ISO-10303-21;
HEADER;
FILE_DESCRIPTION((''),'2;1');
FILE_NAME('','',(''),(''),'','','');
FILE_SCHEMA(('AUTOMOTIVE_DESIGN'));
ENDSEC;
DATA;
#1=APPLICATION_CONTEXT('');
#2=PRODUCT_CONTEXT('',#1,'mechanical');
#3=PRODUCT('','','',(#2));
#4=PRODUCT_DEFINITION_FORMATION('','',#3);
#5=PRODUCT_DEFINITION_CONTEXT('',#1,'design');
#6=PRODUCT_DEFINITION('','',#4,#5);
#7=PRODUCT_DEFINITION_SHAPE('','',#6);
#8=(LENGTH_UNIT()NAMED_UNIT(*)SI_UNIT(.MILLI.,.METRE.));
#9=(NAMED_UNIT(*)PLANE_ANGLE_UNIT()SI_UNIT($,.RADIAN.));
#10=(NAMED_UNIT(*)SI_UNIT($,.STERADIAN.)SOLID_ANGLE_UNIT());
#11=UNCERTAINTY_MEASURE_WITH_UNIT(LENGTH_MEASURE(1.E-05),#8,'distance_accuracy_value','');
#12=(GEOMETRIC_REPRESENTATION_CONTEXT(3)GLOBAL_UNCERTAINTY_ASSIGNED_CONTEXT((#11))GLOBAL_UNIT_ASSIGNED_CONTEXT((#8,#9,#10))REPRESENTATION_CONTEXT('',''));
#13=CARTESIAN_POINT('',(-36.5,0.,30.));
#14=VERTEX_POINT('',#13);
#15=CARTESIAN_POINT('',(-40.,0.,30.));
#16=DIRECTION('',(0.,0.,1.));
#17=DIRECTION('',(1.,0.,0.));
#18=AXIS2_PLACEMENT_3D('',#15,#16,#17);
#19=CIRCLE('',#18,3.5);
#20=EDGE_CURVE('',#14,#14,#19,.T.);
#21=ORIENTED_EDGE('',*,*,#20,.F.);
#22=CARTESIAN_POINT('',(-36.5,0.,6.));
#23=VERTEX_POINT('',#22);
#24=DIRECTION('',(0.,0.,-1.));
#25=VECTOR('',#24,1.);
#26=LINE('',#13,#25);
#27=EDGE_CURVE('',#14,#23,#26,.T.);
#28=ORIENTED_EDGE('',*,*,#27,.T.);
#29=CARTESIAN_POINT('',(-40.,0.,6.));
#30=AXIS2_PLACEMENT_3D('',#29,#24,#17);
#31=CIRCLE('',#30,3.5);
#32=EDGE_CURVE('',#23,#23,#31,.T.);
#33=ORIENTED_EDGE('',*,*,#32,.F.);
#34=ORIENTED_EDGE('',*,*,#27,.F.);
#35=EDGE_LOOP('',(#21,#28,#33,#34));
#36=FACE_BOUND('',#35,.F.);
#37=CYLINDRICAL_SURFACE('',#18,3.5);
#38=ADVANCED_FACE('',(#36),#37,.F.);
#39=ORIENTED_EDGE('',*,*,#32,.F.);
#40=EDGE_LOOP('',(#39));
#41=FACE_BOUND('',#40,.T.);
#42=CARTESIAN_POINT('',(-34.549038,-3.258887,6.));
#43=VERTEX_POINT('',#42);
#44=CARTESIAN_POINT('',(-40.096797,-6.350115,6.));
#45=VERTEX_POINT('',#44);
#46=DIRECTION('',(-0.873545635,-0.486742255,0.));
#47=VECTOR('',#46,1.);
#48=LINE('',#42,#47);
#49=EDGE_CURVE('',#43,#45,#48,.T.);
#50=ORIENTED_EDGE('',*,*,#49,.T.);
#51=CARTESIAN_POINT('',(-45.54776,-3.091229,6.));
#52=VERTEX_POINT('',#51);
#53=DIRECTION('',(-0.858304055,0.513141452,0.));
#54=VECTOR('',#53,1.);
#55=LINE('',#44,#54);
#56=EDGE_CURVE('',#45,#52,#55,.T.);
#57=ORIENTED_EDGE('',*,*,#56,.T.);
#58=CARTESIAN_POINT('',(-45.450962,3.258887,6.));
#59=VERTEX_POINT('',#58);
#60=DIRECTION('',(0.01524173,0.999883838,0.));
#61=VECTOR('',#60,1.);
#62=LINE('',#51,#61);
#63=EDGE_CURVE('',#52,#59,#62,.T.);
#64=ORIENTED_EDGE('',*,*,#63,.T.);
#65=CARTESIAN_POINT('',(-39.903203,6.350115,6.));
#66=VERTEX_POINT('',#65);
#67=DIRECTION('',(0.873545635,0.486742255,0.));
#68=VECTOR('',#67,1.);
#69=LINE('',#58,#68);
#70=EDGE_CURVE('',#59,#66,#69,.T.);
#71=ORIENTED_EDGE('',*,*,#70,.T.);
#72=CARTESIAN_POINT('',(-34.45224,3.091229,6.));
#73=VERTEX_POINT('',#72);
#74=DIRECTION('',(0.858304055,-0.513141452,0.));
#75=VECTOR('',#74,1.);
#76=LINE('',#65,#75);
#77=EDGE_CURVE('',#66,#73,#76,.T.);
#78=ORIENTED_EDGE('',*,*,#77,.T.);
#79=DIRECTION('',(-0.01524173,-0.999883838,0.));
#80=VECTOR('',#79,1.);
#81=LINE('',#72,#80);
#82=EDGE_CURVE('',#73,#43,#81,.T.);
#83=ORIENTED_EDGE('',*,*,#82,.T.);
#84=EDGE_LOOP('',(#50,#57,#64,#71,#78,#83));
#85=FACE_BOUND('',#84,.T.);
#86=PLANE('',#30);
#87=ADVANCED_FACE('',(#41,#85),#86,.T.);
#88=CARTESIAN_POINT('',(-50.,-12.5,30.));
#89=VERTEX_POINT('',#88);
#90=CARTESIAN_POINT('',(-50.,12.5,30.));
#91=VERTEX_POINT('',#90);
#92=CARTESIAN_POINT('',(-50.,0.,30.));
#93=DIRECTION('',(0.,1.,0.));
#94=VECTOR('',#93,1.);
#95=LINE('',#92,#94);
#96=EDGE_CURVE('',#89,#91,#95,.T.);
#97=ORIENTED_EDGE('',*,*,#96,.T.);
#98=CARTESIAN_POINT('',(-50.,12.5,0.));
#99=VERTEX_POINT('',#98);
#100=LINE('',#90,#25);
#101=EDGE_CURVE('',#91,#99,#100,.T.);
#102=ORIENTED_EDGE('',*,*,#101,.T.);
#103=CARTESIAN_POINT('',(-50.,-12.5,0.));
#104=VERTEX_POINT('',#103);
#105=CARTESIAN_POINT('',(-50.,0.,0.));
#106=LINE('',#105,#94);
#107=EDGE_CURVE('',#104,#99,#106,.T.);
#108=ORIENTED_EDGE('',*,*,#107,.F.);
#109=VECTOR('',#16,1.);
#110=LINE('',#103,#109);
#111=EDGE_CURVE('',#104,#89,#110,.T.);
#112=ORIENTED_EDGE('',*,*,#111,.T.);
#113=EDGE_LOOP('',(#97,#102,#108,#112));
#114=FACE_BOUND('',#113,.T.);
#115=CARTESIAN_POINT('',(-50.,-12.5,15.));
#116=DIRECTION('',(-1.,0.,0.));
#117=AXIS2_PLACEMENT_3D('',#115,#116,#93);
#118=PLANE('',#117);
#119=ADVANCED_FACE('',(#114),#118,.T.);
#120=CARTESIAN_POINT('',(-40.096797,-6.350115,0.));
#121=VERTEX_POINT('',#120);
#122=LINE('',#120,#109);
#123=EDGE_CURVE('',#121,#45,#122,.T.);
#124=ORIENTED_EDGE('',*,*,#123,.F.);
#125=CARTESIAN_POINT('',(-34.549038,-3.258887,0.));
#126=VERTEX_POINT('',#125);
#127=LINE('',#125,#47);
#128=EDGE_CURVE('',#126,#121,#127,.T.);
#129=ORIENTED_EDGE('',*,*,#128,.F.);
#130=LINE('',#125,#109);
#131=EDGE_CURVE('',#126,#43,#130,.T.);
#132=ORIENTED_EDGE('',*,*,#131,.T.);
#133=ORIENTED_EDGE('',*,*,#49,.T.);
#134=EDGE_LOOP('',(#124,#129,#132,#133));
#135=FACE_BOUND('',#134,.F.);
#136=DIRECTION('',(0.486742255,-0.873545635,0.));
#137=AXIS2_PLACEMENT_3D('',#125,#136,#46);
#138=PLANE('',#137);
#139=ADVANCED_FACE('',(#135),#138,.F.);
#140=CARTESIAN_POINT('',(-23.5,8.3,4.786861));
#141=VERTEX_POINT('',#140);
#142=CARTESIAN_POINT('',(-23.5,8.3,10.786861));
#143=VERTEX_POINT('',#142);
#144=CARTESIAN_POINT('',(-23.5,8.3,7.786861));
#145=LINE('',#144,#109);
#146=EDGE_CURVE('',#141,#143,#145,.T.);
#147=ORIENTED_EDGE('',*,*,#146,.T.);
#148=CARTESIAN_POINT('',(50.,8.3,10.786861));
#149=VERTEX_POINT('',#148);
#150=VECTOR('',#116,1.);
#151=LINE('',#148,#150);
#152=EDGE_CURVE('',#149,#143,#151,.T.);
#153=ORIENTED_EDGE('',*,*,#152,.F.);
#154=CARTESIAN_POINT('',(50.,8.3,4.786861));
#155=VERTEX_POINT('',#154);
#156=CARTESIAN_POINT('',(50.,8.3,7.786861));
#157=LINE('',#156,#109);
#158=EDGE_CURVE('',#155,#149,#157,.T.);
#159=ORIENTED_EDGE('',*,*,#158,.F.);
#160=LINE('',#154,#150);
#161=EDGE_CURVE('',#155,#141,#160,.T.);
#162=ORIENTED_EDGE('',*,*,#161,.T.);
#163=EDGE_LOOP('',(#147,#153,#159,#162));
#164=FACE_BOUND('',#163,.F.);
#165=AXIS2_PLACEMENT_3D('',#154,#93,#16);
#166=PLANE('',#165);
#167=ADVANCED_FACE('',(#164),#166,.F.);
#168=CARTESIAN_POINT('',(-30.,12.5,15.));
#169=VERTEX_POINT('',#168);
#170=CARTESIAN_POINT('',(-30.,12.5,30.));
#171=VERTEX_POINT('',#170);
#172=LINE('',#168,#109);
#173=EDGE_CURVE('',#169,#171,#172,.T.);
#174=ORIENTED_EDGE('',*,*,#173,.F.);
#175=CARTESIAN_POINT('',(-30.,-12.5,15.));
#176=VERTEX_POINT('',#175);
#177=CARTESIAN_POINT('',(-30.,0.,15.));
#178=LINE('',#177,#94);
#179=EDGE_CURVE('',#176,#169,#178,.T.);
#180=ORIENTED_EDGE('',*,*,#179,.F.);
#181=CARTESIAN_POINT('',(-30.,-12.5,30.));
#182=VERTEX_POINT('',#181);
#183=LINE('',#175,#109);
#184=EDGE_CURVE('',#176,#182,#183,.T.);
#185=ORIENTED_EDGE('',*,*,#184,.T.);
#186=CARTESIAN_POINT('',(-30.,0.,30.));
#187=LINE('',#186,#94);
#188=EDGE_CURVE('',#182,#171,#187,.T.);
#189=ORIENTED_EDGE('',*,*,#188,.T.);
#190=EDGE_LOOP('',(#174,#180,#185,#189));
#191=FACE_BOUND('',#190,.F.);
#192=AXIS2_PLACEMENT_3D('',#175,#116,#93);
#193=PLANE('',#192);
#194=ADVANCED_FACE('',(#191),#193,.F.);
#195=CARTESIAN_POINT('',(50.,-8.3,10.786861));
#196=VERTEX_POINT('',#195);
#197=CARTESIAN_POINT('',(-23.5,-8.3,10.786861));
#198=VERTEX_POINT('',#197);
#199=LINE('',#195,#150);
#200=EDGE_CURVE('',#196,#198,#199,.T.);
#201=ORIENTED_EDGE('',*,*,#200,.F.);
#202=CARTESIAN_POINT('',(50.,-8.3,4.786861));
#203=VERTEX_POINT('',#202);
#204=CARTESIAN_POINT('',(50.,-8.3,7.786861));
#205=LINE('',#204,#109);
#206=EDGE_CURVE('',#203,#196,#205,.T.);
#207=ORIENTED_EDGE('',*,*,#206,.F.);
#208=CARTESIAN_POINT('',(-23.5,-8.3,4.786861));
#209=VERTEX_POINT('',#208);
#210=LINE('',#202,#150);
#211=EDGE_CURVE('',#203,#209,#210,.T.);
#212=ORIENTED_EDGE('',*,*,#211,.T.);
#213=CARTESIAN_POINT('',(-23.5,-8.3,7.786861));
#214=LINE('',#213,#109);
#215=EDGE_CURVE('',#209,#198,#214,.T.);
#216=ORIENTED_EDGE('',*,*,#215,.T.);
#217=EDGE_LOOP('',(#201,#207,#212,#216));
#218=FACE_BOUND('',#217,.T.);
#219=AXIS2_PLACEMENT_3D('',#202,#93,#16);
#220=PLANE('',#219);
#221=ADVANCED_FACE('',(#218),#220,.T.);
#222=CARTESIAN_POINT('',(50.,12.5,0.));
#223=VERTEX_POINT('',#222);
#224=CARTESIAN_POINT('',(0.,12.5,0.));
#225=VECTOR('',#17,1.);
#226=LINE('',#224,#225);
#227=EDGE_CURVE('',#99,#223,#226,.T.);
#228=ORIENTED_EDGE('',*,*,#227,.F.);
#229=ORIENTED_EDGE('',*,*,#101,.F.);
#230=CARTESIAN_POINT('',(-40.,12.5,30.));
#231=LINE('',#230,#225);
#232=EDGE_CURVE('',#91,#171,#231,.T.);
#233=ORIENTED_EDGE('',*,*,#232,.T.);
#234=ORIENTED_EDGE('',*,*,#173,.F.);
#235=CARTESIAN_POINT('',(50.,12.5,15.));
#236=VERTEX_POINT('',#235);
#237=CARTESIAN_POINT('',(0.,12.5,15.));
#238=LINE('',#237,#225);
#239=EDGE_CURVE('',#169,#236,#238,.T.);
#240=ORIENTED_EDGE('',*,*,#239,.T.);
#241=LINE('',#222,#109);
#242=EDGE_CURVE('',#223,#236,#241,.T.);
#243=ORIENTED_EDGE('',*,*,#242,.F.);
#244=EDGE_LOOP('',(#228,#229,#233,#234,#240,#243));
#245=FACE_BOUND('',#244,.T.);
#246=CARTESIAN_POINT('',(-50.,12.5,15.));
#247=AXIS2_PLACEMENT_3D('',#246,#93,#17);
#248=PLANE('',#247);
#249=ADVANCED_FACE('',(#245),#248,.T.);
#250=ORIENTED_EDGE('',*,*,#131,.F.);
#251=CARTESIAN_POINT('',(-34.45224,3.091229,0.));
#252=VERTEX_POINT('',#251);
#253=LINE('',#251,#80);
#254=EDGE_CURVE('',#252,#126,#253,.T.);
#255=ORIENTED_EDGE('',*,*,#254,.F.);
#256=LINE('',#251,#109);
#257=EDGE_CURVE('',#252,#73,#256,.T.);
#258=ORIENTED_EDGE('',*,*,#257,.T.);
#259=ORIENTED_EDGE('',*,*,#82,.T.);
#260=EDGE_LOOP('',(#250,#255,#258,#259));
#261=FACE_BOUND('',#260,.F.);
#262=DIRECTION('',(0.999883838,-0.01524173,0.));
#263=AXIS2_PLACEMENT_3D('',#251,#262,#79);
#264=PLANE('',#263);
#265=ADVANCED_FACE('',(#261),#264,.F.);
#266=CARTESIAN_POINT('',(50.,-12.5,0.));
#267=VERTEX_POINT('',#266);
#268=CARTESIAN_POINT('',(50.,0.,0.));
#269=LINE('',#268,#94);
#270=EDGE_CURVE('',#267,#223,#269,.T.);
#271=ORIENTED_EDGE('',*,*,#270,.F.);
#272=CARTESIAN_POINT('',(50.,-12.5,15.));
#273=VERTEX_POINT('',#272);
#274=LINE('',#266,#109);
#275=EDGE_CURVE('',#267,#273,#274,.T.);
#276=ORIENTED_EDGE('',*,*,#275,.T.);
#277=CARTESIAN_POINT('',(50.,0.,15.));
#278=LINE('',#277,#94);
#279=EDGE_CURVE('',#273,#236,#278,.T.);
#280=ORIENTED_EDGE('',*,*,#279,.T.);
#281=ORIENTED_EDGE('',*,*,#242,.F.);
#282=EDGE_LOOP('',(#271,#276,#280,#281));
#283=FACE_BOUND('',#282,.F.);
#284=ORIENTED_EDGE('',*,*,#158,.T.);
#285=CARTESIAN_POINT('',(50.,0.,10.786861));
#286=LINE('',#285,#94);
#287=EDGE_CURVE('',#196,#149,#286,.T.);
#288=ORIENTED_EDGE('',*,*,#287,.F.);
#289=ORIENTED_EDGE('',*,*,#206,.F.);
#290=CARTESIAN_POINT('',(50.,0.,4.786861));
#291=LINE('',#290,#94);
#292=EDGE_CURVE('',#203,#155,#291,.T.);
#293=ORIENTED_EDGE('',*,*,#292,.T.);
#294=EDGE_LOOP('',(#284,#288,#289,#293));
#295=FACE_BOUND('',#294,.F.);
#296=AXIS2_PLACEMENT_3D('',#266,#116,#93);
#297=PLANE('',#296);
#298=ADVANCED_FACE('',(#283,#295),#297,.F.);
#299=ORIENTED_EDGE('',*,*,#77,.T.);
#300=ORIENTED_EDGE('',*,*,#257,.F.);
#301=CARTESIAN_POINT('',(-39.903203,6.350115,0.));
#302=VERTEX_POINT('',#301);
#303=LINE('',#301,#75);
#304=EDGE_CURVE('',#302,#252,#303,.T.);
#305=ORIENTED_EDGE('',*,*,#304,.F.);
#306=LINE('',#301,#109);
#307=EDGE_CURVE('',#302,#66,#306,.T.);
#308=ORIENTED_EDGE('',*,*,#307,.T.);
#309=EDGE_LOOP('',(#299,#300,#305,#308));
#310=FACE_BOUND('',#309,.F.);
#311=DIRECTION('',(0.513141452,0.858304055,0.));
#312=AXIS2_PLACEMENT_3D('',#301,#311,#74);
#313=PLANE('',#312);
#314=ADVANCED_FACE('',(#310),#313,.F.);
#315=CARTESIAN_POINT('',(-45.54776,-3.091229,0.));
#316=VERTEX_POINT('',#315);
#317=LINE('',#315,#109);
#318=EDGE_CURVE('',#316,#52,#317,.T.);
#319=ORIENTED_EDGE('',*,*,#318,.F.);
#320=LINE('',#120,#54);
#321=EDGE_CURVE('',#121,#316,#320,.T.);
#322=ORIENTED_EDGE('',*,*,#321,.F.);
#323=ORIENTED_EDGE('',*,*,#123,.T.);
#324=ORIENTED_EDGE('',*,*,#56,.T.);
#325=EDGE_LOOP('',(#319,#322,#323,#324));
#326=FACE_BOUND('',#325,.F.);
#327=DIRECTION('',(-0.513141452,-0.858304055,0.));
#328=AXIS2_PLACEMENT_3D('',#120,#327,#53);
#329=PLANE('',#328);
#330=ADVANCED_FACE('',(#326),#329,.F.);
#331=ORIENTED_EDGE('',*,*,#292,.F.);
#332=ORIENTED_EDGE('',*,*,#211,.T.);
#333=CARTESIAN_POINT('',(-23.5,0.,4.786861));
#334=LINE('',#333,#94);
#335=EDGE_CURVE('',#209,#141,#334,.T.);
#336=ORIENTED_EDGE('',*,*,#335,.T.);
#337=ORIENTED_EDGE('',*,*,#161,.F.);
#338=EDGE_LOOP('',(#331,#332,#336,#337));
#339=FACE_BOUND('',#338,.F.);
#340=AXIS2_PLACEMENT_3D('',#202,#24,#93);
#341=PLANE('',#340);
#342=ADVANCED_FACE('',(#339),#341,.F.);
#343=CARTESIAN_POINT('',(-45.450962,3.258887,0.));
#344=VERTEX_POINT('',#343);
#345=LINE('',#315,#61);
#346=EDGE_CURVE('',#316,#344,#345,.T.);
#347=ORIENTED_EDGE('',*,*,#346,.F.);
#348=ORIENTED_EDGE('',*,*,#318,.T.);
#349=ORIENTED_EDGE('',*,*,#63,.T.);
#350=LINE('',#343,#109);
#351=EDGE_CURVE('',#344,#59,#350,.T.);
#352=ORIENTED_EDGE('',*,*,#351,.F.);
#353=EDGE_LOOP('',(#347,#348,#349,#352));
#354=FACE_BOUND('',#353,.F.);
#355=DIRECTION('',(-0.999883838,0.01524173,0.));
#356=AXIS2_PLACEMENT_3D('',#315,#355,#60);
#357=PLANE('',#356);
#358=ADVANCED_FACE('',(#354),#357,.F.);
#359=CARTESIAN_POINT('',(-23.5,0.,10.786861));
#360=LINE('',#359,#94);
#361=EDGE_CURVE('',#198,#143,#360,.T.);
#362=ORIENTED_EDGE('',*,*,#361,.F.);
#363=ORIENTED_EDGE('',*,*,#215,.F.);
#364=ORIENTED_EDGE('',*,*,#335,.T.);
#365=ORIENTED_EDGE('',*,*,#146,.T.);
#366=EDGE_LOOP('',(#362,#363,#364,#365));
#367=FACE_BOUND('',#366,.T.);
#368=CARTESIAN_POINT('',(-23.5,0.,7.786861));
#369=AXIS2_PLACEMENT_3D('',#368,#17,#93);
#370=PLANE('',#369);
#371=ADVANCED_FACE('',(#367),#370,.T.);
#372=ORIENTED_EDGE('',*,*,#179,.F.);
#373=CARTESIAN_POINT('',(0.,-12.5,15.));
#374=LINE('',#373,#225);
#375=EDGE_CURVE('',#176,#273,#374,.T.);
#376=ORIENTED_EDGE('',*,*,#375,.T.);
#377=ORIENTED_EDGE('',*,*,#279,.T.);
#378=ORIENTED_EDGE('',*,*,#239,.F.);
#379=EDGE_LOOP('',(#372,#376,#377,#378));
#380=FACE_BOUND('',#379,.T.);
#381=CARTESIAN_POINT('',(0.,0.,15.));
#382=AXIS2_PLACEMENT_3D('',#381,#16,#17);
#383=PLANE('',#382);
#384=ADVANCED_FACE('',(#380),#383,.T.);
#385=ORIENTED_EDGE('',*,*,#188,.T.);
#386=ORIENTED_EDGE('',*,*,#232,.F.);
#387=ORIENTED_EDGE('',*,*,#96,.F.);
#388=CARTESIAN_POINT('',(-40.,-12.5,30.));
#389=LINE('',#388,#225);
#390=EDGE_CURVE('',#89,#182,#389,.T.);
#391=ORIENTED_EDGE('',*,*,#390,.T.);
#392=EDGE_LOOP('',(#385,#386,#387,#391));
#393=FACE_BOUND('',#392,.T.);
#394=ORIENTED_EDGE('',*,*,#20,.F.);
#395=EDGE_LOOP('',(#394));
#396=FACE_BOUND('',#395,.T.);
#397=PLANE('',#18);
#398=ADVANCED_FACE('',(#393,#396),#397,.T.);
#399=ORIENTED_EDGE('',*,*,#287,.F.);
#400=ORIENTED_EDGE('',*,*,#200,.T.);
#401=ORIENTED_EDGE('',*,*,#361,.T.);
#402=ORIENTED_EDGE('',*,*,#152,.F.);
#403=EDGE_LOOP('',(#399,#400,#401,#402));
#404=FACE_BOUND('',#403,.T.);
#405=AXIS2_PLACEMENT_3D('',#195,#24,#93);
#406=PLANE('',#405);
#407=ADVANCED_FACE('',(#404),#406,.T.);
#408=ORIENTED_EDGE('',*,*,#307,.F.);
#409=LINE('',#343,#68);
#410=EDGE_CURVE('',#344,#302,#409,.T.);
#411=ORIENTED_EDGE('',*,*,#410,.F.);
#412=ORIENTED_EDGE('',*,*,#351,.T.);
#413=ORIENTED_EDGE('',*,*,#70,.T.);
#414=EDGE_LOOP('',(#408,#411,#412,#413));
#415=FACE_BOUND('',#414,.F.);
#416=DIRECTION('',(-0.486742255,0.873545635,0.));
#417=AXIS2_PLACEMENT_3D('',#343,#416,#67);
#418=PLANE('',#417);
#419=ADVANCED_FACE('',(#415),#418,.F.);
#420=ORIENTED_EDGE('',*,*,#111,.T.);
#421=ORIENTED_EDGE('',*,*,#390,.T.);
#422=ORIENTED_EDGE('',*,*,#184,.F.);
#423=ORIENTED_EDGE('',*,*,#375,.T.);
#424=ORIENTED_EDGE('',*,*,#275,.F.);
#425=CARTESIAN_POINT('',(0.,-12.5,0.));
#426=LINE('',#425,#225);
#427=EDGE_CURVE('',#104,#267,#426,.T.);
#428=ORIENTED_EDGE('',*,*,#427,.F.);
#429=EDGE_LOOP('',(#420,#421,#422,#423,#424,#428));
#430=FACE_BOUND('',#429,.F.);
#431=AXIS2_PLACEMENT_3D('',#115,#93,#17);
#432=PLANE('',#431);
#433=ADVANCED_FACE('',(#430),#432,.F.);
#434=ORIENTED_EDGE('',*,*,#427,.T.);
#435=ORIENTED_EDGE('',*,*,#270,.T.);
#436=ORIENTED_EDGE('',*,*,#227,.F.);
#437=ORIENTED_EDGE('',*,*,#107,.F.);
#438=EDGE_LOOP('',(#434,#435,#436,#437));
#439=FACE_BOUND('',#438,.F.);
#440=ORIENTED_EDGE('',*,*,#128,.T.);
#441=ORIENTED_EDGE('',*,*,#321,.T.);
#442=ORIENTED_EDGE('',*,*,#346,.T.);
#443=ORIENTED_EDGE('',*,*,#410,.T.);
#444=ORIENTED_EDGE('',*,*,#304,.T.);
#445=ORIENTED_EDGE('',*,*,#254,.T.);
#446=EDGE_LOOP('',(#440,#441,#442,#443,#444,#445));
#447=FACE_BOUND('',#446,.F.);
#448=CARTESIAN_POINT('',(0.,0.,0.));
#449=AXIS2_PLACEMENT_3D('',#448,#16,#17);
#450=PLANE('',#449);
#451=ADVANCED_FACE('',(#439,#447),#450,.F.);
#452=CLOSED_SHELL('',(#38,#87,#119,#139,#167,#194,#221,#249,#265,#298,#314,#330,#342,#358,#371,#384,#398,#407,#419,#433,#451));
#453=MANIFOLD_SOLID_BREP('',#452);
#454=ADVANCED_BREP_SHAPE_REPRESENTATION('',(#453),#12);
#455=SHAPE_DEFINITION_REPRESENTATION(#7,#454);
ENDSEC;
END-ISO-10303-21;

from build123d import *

# Parameters (mm, degrees)
F0_W     = 100
F0_H     = 25
F1_DEPTH = 15
F2_W     = 16.6
F2_H     = 6
F3_DEPTH = 73.5
F4_W     = 20
F4_H     = 25
F5_DEPTH = 15
F6_R     = 3.5
F7_DEPTH = 30.001
F8_R     = 3.5
F9_DEPTH = 6


with BuildPart() as f1:
    # F0 (on Top) → F1 (new body)
    with BuildSketch(Plane.XY):
        Rectangle(F0_W, F0_H)
    extrude(amount=F1_DEPTH)

    # F2 (on face) → F3 (cut)
    with BuildSketch(Plane.YZ.offset(50)):
        with Locations((0, 7.786861)):
            Rectangle(F2_W, F2_H)
    extrude(amount=-F3_DEPTH, mode=Mode.SUBTRACT)

    # F4 (on face) → F5 (join)
    with BuildSketch(Plane.XY.offset(15)):
        with Locations((-40, 0)):
            Rectangle(F4_W, F4_H)
    extrude(amount=F5_DEPTH)

    # F6 (on face) → F7 (cut, through all)
    with BuildSketch(Plane.XY.offset(30)):
        with Locations((-40, 0)):
            Circle(F6_R)
    extrude(amount=-F7_DEPTH, mode=Mode.SUBTRACT)

    # F8 (on face) → F9 (cut)
    with BuildSketch(Plane(origin=(0, 0, 0), x_dir=(1, 0, 0), z_dir=(0, 0, -1))):
        Polygon((-40.096797, 6.350115), (-45.54776, 3.091229), (-45.450962, -3.258887), (-39.903203, -6.350115), (-34.45224, -3.091229), (-34.549038, 3.258887), align=None)
        with Locations((-40, 0)):
            Circle(F8_R, mode=Mode.SUBTRACT)
    extrude(amount=-F9_DEPTH, mode=Mode.SUBTRACT)


solid = f1.part
